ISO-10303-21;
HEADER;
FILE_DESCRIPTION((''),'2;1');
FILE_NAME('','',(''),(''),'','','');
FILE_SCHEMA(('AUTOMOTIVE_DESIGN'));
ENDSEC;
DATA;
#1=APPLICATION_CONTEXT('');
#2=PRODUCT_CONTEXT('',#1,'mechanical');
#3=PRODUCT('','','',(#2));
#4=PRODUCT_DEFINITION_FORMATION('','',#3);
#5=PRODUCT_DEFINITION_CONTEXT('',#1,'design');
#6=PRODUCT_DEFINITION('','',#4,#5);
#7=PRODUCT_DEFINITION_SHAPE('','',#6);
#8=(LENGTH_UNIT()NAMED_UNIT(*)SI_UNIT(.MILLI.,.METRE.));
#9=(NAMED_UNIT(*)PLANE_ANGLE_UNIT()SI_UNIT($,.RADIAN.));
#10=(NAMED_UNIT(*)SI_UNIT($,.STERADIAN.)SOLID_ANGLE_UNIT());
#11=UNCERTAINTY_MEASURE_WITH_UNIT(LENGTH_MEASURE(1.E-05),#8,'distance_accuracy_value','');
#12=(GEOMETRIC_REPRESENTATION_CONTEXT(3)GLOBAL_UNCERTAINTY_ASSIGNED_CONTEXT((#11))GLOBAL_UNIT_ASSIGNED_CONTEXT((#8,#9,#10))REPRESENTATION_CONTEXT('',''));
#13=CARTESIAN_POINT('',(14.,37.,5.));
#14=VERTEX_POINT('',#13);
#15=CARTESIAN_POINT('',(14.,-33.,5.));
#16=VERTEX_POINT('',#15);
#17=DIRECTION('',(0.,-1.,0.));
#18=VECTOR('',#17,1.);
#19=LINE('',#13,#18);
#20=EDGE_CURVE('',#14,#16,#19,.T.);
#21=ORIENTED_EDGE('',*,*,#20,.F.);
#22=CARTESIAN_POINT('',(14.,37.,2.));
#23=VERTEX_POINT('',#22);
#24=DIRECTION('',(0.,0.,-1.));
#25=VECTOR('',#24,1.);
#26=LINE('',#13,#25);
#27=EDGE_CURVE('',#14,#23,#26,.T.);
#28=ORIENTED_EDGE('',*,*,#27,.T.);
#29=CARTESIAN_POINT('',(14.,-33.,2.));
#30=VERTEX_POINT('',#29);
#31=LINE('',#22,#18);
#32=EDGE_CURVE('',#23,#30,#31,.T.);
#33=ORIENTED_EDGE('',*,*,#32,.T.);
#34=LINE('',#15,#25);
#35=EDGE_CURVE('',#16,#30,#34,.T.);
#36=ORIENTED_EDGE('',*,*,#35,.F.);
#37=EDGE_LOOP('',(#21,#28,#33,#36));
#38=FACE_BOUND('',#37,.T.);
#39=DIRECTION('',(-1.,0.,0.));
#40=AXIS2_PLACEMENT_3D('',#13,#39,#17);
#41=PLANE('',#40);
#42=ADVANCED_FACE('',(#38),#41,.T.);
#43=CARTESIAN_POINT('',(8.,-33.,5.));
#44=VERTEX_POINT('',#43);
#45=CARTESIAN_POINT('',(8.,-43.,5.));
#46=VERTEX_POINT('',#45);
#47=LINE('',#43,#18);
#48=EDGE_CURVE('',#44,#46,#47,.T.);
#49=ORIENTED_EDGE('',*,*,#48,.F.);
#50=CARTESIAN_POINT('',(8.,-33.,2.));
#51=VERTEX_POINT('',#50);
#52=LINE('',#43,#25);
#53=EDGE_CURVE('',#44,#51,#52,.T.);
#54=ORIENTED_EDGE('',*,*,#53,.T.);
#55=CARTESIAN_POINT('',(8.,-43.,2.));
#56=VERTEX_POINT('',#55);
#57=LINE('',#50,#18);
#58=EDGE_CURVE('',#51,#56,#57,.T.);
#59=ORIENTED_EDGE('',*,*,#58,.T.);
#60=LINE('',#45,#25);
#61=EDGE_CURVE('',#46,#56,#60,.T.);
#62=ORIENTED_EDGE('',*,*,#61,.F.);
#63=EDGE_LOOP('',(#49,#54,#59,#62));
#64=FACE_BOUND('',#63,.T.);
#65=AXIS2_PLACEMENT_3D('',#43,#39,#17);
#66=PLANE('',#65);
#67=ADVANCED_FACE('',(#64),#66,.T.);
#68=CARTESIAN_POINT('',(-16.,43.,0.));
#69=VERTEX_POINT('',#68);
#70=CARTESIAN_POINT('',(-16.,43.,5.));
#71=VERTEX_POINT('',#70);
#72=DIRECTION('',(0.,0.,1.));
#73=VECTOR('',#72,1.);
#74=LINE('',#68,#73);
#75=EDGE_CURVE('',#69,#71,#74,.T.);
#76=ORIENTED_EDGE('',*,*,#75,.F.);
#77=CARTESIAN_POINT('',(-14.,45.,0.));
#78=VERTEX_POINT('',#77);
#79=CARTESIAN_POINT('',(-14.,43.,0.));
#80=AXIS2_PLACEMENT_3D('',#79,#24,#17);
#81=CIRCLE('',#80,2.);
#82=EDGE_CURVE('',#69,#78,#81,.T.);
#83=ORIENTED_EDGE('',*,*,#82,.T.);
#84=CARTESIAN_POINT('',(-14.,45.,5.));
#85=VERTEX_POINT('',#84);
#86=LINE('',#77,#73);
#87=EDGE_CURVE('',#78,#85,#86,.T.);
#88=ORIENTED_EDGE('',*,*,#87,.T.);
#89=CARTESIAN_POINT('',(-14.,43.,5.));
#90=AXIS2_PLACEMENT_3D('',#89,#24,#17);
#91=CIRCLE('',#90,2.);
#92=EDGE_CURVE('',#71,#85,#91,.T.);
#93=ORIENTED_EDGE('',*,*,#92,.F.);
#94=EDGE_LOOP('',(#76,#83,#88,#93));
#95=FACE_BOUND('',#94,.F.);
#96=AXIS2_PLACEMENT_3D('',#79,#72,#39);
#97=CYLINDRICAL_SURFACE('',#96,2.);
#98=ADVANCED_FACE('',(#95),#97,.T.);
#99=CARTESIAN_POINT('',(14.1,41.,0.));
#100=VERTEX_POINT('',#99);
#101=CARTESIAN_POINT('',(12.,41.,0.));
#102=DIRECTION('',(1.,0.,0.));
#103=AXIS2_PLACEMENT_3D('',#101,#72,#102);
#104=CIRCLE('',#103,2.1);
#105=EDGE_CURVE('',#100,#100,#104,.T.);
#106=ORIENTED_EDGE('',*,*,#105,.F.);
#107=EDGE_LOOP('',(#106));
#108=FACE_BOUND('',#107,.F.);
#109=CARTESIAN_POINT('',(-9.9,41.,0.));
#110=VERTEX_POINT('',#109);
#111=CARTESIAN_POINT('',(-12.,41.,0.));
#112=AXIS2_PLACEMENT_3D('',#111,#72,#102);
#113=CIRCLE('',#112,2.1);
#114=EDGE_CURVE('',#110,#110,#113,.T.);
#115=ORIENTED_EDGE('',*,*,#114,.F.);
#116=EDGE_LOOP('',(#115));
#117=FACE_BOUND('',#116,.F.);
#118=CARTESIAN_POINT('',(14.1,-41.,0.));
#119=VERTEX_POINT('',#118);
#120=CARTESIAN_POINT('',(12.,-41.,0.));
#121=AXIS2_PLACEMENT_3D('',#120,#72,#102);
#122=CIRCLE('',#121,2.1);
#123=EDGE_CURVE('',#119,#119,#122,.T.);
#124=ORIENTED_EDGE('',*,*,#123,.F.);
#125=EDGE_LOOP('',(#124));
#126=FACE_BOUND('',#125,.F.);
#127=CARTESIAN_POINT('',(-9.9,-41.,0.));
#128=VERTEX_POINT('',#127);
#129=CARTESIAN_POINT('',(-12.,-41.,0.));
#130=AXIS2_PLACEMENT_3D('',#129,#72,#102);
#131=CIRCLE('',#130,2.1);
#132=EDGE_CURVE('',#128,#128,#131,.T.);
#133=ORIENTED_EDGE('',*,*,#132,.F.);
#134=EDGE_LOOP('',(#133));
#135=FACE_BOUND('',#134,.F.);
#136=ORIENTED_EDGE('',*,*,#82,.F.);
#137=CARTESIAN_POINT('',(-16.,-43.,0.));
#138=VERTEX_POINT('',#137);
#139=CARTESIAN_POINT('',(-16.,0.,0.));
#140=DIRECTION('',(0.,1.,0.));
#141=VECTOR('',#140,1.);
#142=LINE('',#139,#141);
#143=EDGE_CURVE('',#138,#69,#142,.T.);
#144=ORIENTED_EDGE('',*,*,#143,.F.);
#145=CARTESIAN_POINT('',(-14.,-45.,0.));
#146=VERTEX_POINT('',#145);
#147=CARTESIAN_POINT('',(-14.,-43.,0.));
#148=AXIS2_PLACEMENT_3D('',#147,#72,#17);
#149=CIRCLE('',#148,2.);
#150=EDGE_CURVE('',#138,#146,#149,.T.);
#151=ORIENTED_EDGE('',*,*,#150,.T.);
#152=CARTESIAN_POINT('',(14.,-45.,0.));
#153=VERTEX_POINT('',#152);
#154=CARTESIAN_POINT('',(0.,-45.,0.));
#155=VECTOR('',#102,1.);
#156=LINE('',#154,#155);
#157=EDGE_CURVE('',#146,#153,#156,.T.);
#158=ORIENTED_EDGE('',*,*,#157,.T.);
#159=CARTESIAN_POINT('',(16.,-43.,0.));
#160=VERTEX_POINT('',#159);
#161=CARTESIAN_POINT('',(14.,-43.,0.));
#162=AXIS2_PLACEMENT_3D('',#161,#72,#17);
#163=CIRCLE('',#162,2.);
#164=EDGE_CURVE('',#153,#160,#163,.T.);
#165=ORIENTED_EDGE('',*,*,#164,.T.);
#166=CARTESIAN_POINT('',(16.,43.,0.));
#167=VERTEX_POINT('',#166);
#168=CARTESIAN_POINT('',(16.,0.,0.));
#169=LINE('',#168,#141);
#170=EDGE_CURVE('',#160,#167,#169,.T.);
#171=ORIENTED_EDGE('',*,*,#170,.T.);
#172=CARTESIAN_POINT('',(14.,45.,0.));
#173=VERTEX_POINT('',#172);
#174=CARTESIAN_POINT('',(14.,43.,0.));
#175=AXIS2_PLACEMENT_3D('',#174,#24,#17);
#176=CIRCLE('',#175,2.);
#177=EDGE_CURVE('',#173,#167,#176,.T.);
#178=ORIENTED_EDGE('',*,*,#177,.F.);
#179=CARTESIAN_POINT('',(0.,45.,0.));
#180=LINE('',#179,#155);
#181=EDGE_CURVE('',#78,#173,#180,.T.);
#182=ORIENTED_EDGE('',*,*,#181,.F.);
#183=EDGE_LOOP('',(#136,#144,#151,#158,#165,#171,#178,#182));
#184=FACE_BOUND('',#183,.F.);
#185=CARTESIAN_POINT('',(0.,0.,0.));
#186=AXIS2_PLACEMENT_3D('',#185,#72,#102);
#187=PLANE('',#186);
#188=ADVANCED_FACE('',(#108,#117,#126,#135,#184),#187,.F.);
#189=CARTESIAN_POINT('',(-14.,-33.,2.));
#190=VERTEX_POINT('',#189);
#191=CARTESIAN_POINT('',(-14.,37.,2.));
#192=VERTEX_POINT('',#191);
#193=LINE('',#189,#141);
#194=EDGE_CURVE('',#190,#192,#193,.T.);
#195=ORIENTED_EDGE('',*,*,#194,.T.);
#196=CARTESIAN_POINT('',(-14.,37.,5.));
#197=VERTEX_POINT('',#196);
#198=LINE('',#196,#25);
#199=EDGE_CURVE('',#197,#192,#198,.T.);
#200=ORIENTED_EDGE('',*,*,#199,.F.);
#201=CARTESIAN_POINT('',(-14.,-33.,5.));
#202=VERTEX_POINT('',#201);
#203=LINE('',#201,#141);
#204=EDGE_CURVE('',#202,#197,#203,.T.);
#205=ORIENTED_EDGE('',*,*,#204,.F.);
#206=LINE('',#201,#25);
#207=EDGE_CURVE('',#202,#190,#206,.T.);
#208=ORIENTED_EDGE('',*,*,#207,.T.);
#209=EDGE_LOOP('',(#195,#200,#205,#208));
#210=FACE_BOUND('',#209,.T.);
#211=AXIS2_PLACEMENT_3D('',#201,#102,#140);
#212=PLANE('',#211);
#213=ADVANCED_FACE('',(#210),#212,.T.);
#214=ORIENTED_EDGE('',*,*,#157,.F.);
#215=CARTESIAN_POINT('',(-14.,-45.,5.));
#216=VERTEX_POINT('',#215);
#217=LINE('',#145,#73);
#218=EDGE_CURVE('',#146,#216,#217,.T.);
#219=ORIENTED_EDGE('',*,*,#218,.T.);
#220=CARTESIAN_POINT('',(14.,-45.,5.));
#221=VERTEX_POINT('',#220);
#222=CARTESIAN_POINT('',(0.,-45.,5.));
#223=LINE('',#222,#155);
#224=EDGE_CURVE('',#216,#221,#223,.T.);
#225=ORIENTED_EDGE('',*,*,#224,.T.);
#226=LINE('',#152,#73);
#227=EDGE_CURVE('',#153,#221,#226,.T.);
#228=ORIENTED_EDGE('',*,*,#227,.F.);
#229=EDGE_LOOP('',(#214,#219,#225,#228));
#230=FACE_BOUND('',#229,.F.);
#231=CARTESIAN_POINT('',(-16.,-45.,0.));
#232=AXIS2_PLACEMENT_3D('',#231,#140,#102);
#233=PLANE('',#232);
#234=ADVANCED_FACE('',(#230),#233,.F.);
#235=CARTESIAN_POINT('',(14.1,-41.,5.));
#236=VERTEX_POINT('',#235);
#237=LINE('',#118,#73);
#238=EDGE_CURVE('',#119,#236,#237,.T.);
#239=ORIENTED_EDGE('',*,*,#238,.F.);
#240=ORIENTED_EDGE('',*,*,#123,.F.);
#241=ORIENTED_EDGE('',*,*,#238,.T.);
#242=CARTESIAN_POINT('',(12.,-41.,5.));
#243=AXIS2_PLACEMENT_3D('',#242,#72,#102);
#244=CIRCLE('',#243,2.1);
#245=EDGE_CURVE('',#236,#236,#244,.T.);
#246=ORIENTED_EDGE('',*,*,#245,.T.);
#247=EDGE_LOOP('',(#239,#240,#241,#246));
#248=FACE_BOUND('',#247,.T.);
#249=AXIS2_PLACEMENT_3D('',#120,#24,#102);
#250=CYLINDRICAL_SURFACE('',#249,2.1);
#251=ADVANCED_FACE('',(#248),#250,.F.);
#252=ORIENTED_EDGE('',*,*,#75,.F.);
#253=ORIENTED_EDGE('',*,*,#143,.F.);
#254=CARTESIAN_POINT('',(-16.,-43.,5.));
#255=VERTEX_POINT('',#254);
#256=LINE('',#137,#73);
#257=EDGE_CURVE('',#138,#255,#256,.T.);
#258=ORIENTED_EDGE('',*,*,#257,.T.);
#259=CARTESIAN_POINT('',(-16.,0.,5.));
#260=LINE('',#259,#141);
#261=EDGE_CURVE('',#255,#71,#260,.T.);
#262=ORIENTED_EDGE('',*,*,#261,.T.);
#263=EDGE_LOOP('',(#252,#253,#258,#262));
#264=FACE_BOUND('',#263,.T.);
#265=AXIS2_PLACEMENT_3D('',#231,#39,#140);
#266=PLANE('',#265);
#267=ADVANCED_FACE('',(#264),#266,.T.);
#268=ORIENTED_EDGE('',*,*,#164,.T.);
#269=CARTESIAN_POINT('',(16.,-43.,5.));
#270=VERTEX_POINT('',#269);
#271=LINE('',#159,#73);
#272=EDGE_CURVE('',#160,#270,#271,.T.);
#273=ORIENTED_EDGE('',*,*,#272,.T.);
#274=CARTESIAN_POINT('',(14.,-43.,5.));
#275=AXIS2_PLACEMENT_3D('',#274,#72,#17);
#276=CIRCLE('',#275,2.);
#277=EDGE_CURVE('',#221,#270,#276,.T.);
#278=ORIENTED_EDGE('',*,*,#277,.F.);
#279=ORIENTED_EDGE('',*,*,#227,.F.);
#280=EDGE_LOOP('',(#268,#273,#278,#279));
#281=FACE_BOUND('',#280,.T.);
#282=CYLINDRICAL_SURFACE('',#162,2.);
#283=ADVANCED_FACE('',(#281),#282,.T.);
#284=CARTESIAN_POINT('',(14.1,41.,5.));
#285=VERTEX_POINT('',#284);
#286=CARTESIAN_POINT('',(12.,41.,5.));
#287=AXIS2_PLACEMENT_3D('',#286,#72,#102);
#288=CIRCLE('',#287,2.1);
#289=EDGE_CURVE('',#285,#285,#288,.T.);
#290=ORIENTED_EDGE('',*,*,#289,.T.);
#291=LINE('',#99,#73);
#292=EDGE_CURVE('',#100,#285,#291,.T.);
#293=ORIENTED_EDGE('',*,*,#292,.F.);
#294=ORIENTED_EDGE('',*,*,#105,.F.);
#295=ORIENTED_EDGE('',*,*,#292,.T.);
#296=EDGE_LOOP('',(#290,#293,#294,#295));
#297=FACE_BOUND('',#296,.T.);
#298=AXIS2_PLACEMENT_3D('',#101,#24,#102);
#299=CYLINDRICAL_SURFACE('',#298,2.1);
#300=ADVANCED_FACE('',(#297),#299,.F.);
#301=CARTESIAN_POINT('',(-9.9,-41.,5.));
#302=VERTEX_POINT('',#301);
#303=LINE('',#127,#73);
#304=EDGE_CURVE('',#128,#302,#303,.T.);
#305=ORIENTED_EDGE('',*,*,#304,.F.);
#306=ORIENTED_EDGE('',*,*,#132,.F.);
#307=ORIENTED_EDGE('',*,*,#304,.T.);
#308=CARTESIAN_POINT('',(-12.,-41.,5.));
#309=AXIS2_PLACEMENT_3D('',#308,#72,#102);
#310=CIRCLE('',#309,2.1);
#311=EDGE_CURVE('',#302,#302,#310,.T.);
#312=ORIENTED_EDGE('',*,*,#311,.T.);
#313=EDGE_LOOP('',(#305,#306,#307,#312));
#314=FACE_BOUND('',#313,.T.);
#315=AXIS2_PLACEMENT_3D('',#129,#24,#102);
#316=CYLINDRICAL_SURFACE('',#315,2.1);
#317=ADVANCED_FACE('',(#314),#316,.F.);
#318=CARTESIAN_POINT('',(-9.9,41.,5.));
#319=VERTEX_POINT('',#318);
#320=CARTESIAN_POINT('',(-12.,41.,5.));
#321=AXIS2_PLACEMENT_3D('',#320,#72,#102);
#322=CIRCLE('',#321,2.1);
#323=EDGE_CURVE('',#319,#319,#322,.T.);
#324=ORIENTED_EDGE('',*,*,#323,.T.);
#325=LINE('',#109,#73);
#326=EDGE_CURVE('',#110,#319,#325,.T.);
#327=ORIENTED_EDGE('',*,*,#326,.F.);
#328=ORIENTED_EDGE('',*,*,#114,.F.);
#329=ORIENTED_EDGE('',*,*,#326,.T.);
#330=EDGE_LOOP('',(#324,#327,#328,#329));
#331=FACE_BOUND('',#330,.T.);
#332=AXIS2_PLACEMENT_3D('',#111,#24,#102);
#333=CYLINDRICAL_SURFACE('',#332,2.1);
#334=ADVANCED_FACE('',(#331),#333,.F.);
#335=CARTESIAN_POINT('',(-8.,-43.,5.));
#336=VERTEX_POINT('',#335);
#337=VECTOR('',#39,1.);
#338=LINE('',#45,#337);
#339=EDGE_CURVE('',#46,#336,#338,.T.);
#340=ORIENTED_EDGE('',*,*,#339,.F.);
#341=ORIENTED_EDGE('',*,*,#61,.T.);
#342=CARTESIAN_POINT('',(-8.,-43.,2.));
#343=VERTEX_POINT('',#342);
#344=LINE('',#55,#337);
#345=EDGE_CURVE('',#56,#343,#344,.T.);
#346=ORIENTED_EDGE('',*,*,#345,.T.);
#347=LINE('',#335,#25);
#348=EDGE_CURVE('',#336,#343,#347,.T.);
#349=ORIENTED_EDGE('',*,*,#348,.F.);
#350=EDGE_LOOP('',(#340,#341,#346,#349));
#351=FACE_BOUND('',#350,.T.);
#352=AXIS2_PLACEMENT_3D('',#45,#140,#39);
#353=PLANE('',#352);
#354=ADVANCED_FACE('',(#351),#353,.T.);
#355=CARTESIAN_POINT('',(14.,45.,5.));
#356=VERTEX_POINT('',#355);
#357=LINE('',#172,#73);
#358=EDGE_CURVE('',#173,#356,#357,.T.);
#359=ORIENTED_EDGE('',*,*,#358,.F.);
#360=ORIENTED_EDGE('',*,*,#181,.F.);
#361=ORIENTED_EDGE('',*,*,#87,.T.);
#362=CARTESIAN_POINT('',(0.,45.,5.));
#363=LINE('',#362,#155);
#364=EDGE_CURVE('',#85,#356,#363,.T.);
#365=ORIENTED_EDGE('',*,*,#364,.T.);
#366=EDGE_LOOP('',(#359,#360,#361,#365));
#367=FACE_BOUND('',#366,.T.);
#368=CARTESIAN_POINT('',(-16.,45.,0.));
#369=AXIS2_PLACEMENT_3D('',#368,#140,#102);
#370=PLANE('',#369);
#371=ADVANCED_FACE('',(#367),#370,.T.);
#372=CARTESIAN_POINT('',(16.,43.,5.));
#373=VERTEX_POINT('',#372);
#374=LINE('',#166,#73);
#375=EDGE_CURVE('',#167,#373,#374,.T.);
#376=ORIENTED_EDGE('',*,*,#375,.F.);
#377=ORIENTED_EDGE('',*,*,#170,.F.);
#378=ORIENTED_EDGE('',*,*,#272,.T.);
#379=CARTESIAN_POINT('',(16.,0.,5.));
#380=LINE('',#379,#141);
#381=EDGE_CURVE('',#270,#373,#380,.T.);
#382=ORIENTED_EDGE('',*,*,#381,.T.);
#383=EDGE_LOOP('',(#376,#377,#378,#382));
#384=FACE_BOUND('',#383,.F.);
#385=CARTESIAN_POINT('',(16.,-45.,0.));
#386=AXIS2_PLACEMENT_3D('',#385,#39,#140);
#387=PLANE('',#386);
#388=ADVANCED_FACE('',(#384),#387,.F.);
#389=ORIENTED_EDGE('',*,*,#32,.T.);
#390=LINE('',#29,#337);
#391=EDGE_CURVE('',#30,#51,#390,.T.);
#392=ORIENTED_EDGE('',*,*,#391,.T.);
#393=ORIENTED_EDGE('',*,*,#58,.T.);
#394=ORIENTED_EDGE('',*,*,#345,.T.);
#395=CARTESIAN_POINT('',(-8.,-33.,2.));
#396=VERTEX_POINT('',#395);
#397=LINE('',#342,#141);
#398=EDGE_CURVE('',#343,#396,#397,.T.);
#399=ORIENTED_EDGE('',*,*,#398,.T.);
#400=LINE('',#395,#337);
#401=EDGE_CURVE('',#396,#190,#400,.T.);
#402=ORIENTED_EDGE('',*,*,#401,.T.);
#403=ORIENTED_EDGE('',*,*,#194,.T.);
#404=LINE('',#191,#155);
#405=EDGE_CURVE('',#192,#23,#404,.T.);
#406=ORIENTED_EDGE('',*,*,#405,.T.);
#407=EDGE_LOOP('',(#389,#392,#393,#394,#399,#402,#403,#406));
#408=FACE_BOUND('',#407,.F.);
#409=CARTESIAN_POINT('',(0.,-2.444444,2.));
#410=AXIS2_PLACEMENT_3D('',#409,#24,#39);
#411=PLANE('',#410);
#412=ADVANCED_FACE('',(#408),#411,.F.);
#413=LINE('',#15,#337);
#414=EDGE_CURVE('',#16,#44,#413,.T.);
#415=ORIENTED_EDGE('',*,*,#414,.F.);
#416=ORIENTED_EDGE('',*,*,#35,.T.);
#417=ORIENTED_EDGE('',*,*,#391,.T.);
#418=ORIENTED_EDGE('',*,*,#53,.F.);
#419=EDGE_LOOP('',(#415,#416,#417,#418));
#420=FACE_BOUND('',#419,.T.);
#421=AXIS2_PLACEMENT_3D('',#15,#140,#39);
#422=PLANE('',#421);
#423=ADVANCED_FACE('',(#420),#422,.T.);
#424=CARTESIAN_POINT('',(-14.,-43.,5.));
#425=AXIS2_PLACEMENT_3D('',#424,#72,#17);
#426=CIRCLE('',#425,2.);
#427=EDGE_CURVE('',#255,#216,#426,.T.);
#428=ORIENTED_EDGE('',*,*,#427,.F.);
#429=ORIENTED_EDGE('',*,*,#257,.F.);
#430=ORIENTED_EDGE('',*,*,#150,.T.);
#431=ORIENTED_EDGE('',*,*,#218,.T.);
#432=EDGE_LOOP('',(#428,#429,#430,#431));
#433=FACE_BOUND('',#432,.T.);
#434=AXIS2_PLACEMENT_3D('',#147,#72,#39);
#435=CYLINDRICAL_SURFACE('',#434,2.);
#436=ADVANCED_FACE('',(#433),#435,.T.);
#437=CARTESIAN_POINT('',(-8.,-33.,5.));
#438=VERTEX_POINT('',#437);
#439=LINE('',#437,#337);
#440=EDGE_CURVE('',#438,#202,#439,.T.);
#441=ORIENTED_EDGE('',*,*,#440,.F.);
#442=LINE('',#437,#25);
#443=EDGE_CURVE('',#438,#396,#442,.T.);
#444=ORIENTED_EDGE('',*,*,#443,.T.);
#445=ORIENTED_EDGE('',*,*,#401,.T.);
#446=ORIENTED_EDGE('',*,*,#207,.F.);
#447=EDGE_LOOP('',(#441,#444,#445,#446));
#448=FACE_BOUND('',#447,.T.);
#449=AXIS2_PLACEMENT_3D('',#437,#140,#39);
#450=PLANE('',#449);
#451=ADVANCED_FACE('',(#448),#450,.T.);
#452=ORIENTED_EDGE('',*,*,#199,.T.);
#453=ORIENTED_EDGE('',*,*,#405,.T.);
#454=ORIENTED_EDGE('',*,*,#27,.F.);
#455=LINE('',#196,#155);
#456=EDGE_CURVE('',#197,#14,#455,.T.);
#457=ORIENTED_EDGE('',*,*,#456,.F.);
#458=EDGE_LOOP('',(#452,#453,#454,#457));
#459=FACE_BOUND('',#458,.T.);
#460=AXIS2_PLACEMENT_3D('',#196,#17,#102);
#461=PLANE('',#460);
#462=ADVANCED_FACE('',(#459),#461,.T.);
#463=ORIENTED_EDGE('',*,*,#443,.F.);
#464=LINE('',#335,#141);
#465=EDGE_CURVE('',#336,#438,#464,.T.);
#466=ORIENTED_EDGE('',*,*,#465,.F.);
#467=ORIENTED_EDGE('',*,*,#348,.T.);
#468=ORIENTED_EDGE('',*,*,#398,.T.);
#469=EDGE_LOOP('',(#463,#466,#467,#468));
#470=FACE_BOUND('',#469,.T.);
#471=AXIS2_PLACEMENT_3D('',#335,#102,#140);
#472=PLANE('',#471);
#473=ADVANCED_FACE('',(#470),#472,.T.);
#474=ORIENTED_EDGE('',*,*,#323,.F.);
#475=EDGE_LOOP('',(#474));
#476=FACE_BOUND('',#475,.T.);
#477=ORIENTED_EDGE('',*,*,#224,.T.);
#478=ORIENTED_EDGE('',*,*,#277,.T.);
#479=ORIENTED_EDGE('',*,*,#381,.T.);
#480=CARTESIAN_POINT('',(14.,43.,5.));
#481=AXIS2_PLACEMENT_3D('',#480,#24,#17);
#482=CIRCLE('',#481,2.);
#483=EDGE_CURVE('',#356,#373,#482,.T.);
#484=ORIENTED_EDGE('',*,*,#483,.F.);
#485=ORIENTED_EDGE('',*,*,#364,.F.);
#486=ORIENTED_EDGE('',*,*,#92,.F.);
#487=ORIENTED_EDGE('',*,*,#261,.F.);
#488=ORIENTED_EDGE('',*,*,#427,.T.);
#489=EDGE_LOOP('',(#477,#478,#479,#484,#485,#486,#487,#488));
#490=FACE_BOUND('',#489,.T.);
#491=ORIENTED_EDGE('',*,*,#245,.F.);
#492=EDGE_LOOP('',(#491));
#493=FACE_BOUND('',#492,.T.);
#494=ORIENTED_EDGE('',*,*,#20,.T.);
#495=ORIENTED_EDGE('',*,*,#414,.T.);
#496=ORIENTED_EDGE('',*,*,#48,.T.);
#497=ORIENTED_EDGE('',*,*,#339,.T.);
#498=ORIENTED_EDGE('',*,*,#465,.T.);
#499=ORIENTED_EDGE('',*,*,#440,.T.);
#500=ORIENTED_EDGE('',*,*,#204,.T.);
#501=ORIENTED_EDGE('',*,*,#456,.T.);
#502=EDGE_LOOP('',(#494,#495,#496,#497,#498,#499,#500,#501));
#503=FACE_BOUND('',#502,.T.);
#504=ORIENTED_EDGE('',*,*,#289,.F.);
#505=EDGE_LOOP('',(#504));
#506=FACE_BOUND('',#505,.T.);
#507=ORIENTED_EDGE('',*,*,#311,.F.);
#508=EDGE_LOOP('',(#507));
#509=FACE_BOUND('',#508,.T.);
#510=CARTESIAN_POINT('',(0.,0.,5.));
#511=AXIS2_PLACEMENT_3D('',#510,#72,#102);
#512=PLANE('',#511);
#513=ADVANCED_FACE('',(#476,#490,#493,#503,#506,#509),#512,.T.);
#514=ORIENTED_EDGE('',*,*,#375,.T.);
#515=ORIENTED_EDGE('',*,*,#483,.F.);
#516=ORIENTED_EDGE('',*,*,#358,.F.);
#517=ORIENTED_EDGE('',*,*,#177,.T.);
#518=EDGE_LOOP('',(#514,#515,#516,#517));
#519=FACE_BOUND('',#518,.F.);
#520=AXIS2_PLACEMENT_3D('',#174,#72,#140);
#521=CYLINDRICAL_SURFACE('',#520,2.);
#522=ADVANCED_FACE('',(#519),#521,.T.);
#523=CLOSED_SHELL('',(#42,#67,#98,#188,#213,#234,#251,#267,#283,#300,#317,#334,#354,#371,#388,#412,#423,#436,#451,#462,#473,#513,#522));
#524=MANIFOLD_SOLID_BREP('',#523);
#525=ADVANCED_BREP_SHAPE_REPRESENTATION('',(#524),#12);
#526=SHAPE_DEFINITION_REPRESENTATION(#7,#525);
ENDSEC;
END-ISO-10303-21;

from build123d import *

# Parameters (mm, degrees)
EXTRUDE001_DEPTH = 3
SKETCH_W         = 32
SKETCH_H         = 90
SKETCH_R         = 2.1
EXTRUDE_DEPTH    = 5
FILLET_R         = 2


with BuildPart() as extrude001:
    # Sketch001 (on Face5 of Fillet) → Extrude001 (new body)
    with BuildSketch(Plane.XY.offset(5)):
        Polygon((14, 37), (14, -33), (8, -33), (8, -43), (-8, -43), (-8, -33), (-14, -33), (-14, 37), align=None)
    extrude(amount=-EXTRUDE001_DEPTH)


with BuildPart() as cut:
    # Sketch → Extrude (new body)
    with BuildSketch(Plane.XY):
        Rectangle(SKETCH_W, SKETCH_H)
        with Locations((-12, 41)):
            Circle(SKETCH_R, mode=Mode.SUBTRACT)
        with Locations((12, 41)):
            Circle(SKETCH_R, mode=Mode.SUBTRACT)
        with Locations((-12, -41)):
            Circle(SKETCH_R, mode=Mode.SUBTRACT)
        with Locations((12, -41)):
            Circle(SKETCH_R, mode=Mode.SUBTRACT)
    extrude(amount=EXTRUDE_DEPTH)

    # Fillet
    fillet_edges = [cut.edges().sort_by_distance(p)[0] for p in [
        (-16, 45, 2.5),
        (16, 45, 2.5),
        (16, -45, 2.5),
        (-16, -45, 2.5),
    ]]
    fillet(fillet_edges, radius=FILLET_R)

    # Cut: cut Extrude001
    add(extrude001.part, mode=Mode.SUBTRACT)


solid = cut.part
